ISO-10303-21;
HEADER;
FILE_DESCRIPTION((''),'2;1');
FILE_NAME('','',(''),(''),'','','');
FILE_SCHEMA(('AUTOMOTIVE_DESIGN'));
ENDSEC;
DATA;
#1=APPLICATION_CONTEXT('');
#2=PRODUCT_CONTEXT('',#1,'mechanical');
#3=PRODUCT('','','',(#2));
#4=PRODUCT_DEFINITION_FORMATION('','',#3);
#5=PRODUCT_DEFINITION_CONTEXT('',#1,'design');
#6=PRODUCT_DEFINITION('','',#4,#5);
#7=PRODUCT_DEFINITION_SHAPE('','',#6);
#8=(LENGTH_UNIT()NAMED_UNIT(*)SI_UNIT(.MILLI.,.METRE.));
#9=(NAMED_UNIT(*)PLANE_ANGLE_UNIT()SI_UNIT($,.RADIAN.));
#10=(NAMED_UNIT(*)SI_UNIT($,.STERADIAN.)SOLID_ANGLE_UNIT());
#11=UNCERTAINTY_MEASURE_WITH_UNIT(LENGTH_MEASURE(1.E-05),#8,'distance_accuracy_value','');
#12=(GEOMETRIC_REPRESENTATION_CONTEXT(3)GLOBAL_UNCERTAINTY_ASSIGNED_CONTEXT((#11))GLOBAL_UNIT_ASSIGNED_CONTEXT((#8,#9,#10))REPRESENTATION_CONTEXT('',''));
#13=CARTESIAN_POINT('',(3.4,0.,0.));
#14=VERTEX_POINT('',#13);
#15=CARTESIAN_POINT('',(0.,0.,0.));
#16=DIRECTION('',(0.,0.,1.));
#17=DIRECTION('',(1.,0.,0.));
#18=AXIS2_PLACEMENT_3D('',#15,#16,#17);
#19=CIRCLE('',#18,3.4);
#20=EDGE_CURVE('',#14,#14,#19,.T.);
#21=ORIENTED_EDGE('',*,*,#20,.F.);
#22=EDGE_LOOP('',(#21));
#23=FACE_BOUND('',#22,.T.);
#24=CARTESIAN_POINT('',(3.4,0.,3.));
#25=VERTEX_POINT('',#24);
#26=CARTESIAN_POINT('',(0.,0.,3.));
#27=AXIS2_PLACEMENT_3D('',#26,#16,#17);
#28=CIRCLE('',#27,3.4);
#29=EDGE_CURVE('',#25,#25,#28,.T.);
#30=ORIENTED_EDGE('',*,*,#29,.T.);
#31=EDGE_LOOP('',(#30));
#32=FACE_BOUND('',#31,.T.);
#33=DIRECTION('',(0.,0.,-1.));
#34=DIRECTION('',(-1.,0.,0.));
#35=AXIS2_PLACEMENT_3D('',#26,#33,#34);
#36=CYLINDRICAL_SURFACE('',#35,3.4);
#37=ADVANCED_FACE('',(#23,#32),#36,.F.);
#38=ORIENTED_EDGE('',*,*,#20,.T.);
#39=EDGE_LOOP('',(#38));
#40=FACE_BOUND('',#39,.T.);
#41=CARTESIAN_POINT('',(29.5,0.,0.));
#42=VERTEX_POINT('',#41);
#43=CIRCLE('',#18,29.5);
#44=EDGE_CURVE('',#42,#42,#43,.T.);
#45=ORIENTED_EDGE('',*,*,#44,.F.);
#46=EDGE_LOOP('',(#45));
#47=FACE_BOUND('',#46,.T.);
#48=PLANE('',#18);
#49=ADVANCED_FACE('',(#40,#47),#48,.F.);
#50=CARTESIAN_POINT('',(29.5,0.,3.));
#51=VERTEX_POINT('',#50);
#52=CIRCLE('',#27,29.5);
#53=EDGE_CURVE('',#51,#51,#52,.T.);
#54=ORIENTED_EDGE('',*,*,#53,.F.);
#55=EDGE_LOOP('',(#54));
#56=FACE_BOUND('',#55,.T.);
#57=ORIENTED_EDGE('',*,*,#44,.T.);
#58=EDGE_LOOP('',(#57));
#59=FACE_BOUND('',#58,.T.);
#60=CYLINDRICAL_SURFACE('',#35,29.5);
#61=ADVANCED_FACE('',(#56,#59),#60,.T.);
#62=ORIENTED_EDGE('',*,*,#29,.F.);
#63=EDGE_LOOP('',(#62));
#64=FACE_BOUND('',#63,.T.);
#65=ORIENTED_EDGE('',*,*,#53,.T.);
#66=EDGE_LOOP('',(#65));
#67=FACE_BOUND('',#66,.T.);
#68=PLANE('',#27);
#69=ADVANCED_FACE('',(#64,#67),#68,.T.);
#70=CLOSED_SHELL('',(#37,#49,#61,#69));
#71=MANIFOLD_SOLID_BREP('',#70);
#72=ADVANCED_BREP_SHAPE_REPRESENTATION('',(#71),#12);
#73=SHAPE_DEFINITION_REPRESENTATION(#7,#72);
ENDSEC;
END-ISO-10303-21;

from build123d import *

# Parameters (mm, degrees)
MODEL_R             = 29.5
MODEL_R_2           = 3.4
BOSS_EXTRUDE1_DEPTH = 3


with BuildPart() as part:
    # Model → Boss-Extrude1 (new body)
    with BuildSketch(Plane.XY):
        Circle(MODEL_R)
        Circle(MODEL_R_2, mode=Mode.SUBTRACT)
    extrude(amount=BOSS_EXTRUDE1_DEPTH)


solid = part.part
